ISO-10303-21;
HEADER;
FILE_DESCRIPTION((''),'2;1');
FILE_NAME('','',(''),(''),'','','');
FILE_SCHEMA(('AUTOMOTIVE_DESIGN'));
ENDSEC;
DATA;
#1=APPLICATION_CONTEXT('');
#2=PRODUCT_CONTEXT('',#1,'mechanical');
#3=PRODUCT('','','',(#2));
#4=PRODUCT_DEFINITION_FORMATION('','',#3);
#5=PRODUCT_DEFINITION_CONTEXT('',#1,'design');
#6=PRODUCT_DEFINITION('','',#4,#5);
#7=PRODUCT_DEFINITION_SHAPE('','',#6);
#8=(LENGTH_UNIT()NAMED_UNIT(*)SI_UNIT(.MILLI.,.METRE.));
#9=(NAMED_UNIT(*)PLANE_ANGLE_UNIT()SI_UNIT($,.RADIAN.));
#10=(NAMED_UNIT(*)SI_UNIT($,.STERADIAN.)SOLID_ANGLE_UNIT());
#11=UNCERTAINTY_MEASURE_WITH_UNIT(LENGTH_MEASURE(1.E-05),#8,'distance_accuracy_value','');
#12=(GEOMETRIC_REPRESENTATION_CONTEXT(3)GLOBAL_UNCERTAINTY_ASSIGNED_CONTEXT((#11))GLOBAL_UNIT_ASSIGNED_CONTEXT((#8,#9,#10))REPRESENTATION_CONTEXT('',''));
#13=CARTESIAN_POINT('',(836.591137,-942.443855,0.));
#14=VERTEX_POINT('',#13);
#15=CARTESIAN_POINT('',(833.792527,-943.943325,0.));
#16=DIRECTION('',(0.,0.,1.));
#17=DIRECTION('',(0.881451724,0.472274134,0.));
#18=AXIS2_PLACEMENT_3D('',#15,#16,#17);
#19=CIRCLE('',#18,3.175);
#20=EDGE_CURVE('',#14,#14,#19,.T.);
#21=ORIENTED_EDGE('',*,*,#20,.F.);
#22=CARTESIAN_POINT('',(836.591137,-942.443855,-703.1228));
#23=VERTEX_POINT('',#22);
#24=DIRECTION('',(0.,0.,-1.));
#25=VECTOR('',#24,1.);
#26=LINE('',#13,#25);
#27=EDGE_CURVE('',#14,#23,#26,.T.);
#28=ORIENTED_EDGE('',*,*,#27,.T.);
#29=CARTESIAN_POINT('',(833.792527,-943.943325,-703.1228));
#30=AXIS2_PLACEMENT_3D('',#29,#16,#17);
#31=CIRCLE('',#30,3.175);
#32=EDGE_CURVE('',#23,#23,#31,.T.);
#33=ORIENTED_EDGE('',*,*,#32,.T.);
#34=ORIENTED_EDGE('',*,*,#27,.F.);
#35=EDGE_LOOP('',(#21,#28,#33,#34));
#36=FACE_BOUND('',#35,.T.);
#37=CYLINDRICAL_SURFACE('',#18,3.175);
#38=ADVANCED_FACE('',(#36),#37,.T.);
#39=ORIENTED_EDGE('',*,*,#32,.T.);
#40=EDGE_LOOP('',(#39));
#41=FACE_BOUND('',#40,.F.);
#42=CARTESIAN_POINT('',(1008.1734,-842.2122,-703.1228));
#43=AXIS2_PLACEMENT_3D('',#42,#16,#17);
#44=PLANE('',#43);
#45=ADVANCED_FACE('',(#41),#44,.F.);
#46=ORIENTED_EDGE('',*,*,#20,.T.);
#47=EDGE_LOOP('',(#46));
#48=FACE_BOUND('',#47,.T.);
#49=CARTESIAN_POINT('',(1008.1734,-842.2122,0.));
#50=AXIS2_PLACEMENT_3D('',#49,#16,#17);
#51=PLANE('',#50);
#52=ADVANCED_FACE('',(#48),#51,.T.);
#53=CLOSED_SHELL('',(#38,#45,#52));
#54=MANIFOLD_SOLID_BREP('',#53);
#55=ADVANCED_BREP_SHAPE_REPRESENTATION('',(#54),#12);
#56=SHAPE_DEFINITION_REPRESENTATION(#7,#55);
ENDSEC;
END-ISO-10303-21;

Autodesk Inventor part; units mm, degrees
ref_plane "YZ Plane" through (0, 0, 0) normal (1, 0, 0) x (0, 1, 0)
ref_plane "XZ Plane" through (0, 0, 0) normal (0, 1, 0) x (-1, 0, 0)
ref_plane "XY Plane" through (0, 0, 0) normal (0, 0, 1) x (1, 0, 0)
ref_plane "Work Plane1" through (1008.1734, -842.2122, 0) normal (0, 0, 1) x (0.8815, 0.4723, 0)
sketch "Sketch1" plane through (1008.1734, -842.2122, 0) normal (0, 0, 1) x (0.8815, 0.4723, 0)
  circle A0 centre (-201.7533, -7.3155) radius 3.175
  point P0 (-490.9201, 1218.496)
  dimension "d0" = 6.35
extrude "Extrusion1" add sketch "Sketch1" against normal blind 703.1228
